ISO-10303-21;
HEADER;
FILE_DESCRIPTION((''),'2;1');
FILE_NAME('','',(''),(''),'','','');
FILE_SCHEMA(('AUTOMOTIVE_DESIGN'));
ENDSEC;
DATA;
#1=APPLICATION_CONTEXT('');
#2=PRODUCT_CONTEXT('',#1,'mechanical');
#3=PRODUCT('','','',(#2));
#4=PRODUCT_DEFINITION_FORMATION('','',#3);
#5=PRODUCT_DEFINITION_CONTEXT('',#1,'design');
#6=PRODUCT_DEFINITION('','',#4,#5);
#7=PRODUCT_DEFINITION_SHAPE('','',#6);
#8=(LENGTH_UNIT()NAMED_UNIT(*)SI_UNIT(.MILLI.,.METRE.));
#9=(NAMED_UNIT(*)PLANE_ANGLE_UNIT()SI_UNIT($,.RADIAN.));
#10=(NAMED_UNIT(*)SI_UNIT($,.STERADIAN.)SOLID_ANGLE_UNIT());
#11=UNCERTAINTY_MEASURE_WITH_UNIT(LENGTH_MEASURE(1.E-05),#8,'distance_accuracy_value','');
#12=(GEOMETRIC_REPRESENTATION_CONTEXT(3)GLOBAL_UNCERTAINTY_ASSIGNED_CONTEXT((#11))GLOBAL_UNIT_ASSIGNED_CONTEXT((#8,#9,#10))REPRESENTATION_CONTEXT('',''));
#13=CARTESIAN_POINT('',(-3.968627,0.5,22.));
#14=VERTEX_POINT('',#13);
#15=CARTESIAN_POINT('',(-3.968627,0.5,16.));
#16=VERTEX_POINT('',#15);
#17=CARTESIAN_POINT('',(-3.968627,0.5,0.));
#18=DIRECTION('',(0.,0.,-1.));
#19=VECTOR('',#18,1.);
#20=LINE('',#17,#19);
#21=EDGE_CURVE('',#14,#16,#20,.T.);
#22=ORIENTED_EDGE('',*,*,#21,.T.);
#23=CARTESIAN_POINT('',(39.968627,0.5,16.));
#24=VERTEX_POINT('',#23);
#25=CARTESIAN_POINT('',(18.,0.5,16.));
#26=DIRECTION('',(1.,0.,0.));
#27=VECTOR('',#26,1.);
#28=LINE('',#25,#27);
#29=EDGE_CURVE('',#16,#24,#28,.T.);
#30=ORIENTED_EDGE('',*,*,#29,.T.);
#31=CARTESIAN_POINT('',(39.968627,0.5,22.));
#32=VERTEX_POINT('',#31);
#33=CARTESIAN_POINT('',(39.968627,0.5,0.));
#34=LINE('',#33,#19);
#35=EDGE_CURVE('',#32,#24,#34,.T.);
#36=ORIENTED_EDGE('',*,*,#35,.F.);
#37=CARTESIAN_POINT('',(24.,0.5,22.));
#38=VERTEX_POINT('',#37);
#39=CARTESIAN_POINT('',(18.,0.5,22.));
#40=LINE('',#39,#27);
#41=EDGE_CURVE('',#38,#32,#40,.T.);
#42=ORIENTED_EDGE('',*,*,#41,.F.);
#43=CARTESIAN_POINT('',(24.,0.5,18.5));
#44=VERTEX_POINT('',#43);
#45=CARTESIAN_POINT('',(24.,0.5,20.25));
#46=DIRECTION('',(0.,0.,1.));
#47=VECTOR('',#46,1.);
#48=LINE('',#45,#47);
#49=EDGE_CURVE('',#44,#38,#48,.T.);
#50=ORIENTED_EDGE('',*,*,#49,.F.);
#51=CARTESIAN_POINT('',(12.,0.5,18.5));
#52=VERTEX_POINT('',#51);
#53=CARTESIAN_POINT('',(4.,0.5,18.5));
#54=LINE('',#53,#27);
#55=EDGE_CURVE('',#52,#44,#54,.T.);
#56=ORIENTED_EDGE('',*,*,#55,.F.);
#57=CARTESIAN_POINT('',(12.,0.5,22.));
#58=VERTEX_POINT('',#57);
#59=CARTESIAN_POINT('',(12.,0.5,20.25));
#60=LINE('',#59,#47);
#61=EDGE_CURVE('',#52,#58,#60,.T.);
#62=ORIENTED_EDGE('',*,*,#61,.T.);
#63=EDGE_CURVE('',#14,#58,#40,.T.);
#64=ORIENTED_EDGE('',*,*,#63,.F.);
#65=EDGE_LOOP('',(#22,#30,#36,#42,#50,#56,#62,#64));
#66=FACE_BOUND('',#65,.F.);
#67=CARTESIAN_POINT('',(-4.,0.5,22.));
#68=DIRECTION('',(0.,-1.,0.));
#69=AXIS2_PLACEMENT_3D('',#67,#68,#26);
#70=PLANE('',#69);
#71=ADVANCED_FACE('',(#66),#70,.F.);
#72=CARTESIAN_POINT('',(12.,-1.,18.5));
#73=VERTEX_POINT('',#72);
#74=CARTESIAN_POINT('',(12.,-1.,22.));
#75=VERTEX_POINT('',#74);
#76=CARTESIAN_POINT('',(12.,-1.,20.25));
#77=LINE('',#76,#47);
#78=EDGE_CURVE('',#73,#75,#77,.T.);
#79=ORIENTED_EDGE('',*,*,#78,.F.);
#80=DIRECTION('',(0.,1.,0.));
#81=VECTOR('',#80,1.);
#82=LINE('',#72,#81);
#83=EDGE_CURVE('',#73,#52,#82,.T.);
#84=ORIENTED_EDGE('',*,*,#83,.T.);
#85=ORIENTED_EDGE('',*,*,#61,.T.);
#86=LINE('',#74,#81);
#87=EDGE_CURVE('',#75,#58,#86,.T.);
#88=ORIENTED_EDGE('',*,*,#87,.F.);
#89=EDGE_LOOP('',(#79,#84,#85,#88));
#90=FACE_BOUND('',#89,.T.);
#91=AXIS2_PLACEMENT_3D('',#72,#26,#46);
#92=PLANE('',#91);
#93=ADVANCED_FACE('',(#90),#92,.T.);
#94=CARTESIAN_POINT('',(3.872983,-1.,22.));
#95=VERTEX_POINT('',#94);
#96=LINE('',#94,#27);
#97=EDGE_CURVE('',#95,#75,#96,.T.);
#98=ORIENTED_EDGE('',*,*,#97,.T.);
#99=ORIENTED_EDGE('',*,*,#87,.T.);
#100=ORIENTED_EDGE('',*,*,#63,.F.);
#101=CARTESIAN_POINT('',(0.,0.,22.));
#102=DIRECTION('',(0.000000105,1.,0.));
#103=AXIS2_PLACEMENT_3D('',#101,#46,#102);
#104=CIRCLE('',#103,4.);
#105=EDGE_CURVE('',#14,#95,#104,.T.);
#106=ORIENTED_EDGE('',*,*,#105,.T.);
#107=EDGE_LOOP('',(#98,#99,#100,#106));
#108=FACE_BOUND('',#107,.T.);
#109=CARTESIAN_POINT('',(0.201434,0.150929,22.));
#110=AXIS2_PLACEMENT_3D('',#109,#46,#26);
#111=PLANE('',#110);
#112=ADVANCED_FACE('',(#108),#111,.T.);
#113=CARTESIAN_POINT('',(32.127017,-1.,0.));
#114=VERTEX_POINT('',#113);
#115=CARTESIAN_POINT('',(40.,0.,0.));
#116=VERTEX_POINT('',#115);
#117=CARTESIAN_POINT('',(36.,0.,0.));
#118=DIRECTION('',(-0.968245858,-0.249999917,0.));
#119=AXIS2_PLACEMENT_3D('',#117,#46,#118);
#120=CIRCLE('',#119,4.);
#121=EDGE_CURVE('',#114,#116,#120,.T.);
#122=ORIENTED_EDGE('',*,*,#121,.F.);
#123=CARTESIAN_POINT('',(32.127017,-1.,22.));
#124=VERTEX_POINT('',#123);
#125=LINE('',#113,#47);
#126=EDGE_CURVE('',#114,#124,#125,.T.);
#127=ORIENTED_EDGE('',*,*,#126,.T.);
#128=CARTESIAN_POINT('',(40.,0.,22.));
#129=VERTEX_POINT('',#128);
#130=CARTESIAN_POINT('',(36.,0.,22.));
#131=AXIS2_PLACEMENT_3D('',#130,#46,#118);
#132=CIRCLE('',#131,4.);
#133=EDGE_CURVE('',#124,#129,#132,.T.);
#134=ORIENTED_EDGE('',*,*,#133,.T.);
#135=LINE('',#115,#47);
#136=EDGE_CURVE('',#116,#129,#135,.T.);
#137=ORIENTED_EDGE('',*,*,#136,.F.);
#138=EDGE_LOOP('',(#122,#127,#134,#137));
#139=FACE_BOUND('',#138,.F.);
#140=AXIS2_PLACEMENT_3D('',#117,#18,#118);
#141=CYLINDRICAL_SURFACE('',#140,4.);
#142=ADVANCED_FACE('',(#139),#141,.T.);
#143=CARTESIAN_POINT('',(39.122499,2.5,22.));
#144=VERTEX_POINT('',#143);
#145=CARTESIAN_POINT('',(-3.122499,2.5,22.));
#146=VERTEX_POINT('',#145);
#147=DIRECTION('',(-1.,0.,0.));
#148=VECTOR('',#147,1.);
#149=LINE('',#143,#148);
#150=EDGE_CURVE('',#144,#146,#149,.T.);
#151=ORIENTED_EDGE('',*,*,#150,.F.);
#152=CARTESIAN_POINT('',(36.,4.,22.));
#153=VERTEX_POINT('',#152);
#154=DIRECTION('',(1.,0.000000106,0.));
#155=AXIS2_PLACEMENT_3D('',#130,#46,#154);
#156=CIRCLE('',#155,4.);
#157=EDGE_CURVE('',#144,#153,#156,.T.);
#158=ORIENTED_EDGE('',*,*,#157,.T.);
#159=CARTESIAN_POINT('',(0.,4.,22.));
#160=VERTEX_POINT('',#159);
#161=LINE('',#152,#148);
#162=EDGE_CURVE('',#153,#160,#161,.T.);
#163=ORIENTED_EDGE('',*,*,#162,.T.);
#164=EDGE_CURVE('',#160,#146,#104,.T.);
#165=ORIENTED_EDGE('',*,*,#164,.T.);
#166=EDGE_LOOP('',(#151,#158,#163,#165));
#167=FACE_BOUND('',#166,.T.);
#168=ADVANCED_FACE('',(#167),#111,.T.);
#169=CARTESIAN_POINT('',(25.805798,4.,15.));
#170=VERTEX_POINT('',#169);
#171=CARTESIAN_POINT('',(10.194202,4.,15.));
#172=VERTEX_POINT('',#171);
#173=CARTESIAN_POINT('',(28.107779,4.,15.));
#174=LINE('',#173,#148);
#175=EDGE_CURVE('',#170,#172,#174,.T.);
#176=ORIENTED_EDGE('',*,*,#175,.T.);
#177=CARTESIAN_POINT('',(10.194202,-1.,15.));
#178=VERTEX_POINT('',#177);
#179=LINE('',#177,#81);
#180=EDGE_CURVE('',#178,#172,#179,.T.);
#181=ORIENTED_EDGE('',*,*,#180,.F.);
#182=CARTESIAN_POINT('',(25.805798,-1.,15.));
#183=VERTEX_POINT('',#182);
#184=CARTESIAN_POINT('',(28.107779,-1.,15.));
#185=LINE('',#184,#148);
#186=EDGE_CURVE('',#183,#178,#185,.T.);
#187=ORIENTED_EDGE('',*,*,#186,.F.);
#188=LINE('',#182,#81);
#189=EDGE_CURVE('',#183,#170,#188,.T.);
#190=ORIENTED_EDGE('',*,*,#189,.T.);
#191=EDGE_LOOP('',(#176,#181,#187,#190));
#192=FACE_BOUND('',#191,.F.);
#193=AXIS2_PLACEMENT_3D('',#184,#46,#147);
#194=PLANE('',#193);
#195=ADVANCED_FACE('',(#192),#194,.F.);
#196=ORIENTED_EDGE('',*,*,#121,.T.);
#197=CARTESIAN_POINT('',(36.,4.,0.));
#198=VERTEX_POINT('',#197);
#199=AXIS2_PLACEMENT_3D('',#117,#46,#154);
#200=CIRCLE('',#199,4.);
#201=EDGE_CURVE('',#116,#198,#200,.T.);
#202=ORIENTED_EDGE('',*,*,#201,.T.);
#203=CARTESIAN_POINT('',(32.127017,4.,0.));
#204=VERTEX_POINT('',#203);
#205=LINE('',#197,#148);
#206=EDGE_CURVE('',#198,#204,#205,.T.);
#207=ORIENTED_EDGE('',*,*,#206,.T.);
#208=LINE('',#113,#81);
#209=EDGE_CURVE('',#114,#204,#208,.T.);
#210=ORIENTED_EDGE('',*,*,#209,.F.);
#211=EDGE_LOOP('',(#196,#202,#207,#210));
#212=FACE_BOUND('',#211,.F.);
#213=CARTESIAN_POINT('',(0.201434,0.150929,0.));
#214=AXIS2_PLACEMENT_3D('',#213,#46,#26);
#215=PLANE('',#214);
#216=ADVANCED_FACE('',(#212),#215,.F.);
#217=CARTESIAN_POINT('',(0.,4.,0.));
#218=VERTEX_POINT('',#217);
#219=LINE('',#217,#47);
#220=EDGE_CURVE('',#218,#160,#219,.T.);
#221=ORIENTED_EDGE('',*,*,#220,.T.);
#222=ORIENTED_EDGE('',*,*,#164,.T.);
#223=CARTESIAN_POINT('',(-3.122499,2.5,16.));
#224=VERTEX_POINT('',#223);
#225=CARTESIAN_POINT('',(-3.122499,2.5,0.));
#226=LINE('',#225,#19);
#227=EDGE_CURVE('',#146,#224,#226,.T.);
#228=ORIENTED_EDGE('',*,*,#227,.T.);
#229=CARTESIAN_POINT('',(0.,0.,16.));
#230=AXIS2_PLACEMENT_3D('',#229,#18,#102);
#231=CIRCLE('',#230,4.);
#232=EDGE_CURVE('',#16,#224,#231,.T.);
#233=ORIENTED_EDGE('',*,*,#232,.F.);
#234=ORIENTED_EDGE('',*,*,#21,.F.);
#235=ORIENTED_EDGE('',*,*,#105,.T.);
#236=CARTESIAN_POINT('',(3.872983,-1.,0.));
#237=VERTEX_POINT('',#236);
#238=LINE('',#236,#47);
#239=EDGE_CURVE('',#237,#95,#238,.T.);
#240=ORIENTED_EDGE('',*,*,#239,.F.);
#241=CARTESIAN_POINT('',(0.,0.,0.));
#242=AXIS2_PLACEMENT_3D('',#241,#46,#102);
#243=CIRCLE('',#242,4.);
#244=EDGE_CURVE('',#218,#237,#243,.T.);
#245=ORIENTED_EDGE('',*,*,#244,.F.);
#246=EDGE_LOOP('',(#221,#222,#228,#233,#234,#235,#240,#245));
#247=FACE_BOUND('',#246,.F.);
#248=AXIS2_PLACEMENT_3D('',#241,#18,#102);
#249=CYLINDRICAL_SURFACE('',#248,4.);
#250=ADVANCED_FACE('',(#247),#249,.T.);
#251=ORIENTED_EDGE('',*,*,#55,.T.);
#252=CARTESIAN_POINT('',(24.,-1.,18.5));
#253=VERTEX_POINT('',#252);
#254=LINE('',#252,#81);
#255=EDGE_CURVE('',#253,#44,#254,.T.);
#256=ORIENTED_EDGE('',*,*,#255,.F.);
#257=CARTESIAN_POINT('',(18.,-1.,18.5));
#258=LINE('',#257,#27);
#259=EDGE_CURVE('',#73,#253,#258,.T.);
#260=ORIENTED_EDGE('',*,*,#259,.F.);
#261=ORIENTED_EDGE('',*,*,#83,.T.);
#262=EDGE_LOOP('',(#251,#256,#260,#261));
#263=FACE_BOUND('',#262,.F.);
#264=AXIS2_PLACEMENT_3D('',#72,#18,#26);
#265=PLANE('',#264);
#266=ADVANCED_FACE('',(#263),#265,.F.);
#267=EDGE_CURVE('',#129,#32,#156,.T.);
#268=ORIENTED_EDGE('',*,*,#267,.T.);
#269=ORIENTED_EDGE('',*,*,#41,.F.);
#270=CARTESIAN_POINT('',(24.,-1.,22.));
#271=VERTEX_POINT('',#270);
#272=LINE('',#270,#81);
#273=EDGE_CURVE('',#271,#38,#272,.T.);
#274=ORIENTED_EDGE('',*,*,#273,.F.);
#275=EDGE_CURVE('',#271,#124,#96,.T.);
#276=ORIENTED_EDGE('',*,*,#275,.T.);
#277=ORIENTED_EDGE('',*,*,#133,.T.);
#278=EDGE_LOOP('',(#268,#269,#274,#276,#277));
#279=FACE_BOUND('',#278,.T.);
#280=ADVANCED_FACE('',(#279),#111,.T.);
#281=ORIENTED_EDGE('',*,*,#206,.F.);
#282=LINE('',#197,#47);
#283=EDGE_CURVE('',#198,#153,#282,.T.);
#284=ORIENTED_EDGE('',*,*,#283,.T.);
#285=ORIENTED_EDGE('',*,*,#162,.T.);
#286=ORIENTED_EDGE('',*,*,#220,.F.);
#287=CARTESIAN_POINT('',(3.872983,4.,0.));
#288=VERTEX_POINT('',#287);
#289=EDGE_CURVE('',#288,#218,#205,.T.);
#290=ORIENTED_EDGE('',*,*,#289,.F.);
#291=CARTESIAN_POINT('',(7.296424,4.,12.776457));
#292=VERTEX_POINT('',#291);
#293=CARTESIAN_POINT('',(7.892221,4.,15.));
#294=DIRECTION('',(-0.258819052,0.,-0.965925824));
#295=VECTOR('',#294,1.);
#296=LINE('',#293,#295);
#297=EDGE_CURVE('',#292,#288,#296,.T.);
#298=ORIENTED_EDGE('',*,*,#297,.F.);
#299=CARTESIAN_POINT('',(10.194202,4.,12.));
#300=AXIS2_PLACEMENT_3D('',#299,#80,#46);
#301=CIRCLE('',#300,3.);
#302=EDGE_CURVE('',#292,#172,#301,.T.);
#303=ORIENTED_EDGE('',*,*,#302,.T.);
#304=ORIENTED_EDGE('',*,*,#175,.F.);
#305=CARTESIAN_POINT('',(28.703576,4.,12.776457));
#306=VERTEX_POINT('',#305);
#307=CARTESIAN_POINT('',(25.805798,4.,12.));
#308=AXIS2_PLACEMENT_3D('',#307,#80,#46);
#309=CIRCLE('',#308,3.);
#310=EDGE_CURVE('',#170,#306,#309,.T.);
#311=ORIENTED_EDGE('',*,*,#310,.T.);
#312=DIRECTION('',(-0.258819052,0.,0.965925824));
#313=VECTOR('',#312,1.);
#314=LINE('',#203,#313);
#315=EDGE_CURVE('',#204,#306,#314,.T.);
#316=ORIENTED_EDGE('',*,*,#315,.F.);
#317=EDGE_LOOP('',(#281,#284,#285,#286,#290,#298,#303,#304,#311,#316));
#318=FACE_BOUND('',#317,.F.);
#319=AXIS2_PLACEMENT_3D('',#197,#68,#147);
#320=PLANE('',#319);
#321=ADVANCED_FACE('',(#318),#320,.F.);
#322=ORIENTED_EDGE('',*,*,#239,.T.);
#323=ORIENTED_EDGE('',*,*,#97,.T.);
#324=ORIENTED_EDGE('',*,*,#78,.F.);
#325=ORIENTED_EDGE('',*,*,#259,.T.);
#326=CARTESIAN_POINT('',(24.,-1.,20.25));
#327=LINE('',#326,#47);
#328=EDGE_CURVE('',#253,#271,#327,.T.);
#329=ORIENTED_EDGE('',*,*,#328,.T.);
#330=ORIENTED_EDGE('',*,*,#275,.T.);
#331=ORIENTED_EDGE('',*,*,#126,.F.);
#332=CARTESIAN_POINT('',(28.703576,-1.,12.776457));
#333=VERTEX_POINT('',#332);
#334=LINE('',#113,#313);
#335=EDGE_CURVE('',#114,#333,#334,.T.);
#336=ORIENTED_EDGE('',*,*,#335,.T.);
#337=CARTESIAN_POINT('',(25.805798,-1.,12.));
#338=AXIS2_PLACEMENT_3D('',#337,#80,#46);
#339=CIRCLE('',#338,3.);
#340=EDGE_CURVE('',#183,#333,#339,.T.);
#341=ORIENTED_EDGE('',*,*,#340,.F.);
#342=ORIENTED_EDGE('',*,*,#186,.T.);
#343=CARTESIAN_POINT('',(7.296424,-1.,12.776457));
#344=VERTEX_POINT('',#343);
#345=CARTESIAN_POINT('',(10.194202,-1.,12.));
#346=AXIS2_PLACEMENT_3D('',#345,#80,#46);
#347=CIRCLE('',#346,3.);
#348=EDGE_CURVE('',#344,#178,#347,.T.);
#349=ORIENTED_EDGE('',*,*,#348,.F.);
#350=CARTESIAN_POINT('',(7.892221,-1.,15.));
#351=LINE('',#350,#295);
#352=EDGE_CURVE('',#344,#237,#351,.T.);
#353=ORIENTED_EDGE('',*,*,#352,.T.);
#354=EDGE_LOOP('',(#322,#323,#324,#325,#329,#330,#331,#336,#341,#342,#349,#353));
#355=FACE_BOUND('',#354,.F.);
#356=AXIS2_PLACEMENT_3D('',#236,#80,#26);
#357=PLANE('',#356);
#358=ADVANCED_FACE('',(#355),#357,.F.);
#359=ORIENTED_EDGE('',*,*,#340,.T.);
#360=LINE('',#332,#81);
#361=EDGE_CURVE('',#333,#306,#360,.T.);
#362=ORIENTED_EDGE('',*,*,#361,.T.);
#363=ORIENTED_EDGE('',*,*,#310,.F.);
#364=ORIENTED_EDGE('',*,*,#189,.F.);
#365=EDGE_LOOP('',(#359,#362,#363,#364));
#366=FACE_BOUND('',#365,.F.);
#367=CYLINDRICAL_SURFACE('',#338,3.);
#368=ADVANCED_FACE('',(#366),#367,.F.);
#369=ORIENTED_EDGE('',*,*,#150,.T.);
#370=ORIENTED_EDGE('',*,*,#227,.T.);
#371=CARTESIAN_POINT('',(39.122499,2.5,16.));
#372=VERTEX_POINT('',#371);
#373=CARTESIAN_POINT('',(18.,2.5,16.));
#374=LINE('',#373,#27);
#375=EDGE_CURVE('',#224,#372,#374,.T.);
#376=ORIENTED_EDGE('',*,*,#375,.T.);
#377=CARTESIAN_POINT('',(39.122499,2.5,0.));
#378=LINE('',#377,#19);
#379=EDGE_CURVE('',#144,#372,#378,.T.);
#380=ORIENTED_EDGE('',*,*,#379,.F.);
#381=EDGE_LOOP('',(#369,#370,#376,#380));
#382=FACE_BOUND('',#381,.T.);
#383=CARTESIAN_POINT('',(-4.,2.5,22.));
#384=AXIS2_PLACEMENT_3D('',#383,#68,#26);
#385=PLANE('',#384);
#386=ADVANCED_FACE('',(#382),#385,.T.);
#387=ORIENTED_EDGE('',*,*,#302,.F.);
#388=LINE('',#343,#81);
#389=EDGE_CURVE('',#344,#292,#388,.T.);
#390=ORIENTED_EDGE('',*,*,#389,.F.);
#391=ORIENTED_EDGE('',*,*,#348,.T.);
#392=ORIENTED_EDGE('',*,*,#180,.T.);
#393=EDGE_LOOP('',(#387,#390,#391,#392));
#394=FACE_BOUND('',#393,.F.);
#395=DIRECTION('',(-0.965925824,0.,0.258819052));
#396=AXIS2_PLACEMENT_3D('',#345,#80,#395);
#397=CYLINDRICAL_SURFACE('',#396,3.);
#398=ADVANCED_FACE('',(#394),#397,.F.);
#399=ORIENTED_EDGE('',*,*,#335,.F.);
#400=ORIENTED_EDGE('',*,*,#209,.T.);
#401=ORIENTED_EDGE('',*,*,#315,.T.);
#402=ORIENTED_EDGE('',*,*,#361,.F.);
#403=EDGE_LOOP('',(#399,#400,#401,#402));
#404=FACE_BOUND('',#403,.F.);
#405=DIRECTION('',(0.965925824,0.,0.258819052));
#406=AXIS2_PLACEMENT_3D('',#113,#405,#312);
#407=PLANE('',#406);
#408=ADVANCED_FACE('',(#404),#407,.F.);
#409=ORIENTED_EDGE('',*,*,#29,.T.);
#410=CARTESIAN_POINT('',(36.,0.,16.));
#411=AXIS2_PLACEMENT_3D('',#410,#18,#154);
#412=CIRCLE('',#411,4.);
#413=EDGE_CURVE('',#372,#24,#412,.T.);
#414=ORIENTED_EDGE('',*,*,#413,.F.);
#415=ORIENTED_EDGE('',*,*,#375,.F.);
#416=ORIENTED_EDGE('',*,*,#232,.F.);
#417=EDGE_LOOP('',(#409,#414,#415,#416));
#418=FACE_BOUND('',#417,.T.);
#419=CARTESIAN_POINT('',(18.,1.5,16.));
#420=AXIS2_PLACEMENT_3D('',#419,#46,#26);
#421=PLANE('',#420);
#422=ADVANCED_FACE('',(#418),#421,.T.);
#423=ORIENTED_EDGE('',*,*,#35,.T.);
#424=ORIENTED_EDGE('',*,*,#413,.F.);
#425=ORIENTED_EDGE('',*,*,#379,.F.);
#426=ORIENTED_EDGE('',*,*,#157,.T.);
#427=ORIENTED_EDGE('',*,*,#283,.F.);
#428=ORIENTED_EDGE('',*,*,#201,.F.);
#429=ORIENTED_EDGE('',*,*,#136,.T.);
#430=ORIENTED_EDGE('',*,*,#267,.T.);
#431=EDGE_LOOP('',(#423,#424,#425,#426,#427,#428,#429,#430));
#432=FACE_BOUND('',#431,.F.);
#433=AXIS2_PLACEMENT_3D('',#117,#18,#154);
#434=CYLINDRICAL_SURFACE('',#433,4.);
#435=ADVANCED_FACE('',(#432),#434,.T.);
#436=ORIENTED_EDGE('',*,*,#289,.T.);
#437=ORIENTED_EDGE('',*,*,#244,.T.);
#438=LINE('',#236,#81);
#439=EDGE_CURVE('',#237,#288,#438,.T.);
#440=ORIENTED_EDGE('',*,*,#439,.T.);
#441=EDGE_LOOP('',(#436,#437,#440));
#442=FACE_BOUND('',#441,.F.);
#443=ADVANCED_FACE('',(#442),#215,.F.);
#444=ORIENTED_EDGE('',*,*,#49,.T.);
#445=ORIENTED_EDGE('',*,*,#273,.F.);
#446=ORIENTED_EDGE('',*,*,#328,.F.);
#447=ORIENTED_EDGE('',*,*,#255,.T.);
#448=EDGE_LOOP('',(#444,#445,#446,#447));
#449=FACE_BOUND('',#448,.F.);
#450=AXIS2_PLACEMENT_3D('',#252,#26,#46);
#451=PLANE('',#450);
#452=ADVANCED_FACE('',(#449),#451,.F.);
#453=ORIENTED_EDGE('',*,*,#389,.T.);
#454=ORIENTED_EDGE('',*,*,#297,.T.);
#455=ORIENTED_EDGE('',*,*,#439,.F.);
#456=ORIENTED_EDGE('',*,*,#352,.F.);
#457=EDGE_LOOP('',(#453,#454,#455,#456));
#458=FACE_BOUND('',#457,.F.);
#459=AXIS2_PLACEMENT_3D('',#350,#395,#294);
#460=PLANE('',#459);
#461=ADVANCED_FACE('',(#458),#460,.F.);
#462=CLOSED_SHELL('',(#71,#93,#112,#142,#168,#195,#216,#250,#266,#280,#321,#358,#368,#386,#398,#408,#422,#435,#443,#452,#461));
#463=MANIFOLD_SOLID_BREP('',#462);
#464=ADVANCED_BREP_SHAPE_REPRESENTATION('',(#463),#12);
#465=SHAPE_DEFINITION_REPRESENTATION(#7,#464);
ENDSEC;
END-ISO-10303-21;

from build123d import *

# Parameters (mm, degrees)
F1_DEPTH = 22
F2_W     = 44
F2_H     = 2
F3_DEPTH = 6
F5_DEPTH = 5
F6_W     = 12
F6_H     = 3.5
F7_DEPTH = 3.5
F8_R     = 3


with BuildPart() as f1:
    # F0 (on Top) → F1 (new body)
    with BuildSketch(Plane.XY):
        with BuildLine():
            ThreePointArc((3.872983, -1), (3.968119, -0.504017), (4, 0))
            ThreePointArc((4, 0), (2.828427, 2.828427), (0, 4))
            ThreePointArc((0, 4), (-3.162278, -2.44949), (3.872983, -1))
        make_face()
        with BuildLine():
            ThreePointArc((0, 4), (2.828427, 2.828427), (4, 0))
            ThreePointArc((4, 0), (3.968119, -0.504017), (3.872983, -1))
            Line((3.872983, -1), (32.127017, -1))
            ThreePointArc((32.127017, -1), (32.837722, 2.44949), (36, 4))
            Line((36, 4), (0, 4))
        make_face()
        with BuildLine():
            ThreePointArc((40, 0), (38.828427, 2.828427), (36, 4))
            ThreePointArc((36, 4), (32.837722, 2.44949), (32.127017, -1))
            ThreePointArc((32.127017, -1), (36.504017, -3.968119), (40, 0))
        make_face()
    extrude(amount=F1_DEPTH)

    # F2 (on face) → F3 (cut)
    with BuildSketch(Plane.XY.offset(22)):
        with Locations((18, 1.5)):
            Rectangle(F2_W, F2_H)
    extrude(amount=-F3_DEPTH, mode=Mode.SUBTRACT)

    # F4 (on face) → F5 (cut, through all)
    with BuildSketch(Plane.XZ.offset(1)):
        Polygon((7.892221, 15), (3.872983, 0), (32.127017, 0), (28.107779, 15), (18, 15), align=None)
    extrude(amount=-F5_DEPTH, mode=Mode.SUBTRACT)

    # F6 (on face) → F7 (cut)
    with BuildSketch(Plane.XZ.offset(1)):
        with Locations((18, 20.25)):
            Rectangle(F6_W, F6_H)
    extrude(amount=-F7_DEPTH, mode=Mode.SUBTRACT)

    # F8
    f8_edges = [f1.edges().sort_by_distance(p)[0] for p in [
        (7.892221, 1.5, 15),
        (28.107779, 1.5, 15),
    ]]
    fillet(f8_edges, radius=F8_R)


solid = f1.part
